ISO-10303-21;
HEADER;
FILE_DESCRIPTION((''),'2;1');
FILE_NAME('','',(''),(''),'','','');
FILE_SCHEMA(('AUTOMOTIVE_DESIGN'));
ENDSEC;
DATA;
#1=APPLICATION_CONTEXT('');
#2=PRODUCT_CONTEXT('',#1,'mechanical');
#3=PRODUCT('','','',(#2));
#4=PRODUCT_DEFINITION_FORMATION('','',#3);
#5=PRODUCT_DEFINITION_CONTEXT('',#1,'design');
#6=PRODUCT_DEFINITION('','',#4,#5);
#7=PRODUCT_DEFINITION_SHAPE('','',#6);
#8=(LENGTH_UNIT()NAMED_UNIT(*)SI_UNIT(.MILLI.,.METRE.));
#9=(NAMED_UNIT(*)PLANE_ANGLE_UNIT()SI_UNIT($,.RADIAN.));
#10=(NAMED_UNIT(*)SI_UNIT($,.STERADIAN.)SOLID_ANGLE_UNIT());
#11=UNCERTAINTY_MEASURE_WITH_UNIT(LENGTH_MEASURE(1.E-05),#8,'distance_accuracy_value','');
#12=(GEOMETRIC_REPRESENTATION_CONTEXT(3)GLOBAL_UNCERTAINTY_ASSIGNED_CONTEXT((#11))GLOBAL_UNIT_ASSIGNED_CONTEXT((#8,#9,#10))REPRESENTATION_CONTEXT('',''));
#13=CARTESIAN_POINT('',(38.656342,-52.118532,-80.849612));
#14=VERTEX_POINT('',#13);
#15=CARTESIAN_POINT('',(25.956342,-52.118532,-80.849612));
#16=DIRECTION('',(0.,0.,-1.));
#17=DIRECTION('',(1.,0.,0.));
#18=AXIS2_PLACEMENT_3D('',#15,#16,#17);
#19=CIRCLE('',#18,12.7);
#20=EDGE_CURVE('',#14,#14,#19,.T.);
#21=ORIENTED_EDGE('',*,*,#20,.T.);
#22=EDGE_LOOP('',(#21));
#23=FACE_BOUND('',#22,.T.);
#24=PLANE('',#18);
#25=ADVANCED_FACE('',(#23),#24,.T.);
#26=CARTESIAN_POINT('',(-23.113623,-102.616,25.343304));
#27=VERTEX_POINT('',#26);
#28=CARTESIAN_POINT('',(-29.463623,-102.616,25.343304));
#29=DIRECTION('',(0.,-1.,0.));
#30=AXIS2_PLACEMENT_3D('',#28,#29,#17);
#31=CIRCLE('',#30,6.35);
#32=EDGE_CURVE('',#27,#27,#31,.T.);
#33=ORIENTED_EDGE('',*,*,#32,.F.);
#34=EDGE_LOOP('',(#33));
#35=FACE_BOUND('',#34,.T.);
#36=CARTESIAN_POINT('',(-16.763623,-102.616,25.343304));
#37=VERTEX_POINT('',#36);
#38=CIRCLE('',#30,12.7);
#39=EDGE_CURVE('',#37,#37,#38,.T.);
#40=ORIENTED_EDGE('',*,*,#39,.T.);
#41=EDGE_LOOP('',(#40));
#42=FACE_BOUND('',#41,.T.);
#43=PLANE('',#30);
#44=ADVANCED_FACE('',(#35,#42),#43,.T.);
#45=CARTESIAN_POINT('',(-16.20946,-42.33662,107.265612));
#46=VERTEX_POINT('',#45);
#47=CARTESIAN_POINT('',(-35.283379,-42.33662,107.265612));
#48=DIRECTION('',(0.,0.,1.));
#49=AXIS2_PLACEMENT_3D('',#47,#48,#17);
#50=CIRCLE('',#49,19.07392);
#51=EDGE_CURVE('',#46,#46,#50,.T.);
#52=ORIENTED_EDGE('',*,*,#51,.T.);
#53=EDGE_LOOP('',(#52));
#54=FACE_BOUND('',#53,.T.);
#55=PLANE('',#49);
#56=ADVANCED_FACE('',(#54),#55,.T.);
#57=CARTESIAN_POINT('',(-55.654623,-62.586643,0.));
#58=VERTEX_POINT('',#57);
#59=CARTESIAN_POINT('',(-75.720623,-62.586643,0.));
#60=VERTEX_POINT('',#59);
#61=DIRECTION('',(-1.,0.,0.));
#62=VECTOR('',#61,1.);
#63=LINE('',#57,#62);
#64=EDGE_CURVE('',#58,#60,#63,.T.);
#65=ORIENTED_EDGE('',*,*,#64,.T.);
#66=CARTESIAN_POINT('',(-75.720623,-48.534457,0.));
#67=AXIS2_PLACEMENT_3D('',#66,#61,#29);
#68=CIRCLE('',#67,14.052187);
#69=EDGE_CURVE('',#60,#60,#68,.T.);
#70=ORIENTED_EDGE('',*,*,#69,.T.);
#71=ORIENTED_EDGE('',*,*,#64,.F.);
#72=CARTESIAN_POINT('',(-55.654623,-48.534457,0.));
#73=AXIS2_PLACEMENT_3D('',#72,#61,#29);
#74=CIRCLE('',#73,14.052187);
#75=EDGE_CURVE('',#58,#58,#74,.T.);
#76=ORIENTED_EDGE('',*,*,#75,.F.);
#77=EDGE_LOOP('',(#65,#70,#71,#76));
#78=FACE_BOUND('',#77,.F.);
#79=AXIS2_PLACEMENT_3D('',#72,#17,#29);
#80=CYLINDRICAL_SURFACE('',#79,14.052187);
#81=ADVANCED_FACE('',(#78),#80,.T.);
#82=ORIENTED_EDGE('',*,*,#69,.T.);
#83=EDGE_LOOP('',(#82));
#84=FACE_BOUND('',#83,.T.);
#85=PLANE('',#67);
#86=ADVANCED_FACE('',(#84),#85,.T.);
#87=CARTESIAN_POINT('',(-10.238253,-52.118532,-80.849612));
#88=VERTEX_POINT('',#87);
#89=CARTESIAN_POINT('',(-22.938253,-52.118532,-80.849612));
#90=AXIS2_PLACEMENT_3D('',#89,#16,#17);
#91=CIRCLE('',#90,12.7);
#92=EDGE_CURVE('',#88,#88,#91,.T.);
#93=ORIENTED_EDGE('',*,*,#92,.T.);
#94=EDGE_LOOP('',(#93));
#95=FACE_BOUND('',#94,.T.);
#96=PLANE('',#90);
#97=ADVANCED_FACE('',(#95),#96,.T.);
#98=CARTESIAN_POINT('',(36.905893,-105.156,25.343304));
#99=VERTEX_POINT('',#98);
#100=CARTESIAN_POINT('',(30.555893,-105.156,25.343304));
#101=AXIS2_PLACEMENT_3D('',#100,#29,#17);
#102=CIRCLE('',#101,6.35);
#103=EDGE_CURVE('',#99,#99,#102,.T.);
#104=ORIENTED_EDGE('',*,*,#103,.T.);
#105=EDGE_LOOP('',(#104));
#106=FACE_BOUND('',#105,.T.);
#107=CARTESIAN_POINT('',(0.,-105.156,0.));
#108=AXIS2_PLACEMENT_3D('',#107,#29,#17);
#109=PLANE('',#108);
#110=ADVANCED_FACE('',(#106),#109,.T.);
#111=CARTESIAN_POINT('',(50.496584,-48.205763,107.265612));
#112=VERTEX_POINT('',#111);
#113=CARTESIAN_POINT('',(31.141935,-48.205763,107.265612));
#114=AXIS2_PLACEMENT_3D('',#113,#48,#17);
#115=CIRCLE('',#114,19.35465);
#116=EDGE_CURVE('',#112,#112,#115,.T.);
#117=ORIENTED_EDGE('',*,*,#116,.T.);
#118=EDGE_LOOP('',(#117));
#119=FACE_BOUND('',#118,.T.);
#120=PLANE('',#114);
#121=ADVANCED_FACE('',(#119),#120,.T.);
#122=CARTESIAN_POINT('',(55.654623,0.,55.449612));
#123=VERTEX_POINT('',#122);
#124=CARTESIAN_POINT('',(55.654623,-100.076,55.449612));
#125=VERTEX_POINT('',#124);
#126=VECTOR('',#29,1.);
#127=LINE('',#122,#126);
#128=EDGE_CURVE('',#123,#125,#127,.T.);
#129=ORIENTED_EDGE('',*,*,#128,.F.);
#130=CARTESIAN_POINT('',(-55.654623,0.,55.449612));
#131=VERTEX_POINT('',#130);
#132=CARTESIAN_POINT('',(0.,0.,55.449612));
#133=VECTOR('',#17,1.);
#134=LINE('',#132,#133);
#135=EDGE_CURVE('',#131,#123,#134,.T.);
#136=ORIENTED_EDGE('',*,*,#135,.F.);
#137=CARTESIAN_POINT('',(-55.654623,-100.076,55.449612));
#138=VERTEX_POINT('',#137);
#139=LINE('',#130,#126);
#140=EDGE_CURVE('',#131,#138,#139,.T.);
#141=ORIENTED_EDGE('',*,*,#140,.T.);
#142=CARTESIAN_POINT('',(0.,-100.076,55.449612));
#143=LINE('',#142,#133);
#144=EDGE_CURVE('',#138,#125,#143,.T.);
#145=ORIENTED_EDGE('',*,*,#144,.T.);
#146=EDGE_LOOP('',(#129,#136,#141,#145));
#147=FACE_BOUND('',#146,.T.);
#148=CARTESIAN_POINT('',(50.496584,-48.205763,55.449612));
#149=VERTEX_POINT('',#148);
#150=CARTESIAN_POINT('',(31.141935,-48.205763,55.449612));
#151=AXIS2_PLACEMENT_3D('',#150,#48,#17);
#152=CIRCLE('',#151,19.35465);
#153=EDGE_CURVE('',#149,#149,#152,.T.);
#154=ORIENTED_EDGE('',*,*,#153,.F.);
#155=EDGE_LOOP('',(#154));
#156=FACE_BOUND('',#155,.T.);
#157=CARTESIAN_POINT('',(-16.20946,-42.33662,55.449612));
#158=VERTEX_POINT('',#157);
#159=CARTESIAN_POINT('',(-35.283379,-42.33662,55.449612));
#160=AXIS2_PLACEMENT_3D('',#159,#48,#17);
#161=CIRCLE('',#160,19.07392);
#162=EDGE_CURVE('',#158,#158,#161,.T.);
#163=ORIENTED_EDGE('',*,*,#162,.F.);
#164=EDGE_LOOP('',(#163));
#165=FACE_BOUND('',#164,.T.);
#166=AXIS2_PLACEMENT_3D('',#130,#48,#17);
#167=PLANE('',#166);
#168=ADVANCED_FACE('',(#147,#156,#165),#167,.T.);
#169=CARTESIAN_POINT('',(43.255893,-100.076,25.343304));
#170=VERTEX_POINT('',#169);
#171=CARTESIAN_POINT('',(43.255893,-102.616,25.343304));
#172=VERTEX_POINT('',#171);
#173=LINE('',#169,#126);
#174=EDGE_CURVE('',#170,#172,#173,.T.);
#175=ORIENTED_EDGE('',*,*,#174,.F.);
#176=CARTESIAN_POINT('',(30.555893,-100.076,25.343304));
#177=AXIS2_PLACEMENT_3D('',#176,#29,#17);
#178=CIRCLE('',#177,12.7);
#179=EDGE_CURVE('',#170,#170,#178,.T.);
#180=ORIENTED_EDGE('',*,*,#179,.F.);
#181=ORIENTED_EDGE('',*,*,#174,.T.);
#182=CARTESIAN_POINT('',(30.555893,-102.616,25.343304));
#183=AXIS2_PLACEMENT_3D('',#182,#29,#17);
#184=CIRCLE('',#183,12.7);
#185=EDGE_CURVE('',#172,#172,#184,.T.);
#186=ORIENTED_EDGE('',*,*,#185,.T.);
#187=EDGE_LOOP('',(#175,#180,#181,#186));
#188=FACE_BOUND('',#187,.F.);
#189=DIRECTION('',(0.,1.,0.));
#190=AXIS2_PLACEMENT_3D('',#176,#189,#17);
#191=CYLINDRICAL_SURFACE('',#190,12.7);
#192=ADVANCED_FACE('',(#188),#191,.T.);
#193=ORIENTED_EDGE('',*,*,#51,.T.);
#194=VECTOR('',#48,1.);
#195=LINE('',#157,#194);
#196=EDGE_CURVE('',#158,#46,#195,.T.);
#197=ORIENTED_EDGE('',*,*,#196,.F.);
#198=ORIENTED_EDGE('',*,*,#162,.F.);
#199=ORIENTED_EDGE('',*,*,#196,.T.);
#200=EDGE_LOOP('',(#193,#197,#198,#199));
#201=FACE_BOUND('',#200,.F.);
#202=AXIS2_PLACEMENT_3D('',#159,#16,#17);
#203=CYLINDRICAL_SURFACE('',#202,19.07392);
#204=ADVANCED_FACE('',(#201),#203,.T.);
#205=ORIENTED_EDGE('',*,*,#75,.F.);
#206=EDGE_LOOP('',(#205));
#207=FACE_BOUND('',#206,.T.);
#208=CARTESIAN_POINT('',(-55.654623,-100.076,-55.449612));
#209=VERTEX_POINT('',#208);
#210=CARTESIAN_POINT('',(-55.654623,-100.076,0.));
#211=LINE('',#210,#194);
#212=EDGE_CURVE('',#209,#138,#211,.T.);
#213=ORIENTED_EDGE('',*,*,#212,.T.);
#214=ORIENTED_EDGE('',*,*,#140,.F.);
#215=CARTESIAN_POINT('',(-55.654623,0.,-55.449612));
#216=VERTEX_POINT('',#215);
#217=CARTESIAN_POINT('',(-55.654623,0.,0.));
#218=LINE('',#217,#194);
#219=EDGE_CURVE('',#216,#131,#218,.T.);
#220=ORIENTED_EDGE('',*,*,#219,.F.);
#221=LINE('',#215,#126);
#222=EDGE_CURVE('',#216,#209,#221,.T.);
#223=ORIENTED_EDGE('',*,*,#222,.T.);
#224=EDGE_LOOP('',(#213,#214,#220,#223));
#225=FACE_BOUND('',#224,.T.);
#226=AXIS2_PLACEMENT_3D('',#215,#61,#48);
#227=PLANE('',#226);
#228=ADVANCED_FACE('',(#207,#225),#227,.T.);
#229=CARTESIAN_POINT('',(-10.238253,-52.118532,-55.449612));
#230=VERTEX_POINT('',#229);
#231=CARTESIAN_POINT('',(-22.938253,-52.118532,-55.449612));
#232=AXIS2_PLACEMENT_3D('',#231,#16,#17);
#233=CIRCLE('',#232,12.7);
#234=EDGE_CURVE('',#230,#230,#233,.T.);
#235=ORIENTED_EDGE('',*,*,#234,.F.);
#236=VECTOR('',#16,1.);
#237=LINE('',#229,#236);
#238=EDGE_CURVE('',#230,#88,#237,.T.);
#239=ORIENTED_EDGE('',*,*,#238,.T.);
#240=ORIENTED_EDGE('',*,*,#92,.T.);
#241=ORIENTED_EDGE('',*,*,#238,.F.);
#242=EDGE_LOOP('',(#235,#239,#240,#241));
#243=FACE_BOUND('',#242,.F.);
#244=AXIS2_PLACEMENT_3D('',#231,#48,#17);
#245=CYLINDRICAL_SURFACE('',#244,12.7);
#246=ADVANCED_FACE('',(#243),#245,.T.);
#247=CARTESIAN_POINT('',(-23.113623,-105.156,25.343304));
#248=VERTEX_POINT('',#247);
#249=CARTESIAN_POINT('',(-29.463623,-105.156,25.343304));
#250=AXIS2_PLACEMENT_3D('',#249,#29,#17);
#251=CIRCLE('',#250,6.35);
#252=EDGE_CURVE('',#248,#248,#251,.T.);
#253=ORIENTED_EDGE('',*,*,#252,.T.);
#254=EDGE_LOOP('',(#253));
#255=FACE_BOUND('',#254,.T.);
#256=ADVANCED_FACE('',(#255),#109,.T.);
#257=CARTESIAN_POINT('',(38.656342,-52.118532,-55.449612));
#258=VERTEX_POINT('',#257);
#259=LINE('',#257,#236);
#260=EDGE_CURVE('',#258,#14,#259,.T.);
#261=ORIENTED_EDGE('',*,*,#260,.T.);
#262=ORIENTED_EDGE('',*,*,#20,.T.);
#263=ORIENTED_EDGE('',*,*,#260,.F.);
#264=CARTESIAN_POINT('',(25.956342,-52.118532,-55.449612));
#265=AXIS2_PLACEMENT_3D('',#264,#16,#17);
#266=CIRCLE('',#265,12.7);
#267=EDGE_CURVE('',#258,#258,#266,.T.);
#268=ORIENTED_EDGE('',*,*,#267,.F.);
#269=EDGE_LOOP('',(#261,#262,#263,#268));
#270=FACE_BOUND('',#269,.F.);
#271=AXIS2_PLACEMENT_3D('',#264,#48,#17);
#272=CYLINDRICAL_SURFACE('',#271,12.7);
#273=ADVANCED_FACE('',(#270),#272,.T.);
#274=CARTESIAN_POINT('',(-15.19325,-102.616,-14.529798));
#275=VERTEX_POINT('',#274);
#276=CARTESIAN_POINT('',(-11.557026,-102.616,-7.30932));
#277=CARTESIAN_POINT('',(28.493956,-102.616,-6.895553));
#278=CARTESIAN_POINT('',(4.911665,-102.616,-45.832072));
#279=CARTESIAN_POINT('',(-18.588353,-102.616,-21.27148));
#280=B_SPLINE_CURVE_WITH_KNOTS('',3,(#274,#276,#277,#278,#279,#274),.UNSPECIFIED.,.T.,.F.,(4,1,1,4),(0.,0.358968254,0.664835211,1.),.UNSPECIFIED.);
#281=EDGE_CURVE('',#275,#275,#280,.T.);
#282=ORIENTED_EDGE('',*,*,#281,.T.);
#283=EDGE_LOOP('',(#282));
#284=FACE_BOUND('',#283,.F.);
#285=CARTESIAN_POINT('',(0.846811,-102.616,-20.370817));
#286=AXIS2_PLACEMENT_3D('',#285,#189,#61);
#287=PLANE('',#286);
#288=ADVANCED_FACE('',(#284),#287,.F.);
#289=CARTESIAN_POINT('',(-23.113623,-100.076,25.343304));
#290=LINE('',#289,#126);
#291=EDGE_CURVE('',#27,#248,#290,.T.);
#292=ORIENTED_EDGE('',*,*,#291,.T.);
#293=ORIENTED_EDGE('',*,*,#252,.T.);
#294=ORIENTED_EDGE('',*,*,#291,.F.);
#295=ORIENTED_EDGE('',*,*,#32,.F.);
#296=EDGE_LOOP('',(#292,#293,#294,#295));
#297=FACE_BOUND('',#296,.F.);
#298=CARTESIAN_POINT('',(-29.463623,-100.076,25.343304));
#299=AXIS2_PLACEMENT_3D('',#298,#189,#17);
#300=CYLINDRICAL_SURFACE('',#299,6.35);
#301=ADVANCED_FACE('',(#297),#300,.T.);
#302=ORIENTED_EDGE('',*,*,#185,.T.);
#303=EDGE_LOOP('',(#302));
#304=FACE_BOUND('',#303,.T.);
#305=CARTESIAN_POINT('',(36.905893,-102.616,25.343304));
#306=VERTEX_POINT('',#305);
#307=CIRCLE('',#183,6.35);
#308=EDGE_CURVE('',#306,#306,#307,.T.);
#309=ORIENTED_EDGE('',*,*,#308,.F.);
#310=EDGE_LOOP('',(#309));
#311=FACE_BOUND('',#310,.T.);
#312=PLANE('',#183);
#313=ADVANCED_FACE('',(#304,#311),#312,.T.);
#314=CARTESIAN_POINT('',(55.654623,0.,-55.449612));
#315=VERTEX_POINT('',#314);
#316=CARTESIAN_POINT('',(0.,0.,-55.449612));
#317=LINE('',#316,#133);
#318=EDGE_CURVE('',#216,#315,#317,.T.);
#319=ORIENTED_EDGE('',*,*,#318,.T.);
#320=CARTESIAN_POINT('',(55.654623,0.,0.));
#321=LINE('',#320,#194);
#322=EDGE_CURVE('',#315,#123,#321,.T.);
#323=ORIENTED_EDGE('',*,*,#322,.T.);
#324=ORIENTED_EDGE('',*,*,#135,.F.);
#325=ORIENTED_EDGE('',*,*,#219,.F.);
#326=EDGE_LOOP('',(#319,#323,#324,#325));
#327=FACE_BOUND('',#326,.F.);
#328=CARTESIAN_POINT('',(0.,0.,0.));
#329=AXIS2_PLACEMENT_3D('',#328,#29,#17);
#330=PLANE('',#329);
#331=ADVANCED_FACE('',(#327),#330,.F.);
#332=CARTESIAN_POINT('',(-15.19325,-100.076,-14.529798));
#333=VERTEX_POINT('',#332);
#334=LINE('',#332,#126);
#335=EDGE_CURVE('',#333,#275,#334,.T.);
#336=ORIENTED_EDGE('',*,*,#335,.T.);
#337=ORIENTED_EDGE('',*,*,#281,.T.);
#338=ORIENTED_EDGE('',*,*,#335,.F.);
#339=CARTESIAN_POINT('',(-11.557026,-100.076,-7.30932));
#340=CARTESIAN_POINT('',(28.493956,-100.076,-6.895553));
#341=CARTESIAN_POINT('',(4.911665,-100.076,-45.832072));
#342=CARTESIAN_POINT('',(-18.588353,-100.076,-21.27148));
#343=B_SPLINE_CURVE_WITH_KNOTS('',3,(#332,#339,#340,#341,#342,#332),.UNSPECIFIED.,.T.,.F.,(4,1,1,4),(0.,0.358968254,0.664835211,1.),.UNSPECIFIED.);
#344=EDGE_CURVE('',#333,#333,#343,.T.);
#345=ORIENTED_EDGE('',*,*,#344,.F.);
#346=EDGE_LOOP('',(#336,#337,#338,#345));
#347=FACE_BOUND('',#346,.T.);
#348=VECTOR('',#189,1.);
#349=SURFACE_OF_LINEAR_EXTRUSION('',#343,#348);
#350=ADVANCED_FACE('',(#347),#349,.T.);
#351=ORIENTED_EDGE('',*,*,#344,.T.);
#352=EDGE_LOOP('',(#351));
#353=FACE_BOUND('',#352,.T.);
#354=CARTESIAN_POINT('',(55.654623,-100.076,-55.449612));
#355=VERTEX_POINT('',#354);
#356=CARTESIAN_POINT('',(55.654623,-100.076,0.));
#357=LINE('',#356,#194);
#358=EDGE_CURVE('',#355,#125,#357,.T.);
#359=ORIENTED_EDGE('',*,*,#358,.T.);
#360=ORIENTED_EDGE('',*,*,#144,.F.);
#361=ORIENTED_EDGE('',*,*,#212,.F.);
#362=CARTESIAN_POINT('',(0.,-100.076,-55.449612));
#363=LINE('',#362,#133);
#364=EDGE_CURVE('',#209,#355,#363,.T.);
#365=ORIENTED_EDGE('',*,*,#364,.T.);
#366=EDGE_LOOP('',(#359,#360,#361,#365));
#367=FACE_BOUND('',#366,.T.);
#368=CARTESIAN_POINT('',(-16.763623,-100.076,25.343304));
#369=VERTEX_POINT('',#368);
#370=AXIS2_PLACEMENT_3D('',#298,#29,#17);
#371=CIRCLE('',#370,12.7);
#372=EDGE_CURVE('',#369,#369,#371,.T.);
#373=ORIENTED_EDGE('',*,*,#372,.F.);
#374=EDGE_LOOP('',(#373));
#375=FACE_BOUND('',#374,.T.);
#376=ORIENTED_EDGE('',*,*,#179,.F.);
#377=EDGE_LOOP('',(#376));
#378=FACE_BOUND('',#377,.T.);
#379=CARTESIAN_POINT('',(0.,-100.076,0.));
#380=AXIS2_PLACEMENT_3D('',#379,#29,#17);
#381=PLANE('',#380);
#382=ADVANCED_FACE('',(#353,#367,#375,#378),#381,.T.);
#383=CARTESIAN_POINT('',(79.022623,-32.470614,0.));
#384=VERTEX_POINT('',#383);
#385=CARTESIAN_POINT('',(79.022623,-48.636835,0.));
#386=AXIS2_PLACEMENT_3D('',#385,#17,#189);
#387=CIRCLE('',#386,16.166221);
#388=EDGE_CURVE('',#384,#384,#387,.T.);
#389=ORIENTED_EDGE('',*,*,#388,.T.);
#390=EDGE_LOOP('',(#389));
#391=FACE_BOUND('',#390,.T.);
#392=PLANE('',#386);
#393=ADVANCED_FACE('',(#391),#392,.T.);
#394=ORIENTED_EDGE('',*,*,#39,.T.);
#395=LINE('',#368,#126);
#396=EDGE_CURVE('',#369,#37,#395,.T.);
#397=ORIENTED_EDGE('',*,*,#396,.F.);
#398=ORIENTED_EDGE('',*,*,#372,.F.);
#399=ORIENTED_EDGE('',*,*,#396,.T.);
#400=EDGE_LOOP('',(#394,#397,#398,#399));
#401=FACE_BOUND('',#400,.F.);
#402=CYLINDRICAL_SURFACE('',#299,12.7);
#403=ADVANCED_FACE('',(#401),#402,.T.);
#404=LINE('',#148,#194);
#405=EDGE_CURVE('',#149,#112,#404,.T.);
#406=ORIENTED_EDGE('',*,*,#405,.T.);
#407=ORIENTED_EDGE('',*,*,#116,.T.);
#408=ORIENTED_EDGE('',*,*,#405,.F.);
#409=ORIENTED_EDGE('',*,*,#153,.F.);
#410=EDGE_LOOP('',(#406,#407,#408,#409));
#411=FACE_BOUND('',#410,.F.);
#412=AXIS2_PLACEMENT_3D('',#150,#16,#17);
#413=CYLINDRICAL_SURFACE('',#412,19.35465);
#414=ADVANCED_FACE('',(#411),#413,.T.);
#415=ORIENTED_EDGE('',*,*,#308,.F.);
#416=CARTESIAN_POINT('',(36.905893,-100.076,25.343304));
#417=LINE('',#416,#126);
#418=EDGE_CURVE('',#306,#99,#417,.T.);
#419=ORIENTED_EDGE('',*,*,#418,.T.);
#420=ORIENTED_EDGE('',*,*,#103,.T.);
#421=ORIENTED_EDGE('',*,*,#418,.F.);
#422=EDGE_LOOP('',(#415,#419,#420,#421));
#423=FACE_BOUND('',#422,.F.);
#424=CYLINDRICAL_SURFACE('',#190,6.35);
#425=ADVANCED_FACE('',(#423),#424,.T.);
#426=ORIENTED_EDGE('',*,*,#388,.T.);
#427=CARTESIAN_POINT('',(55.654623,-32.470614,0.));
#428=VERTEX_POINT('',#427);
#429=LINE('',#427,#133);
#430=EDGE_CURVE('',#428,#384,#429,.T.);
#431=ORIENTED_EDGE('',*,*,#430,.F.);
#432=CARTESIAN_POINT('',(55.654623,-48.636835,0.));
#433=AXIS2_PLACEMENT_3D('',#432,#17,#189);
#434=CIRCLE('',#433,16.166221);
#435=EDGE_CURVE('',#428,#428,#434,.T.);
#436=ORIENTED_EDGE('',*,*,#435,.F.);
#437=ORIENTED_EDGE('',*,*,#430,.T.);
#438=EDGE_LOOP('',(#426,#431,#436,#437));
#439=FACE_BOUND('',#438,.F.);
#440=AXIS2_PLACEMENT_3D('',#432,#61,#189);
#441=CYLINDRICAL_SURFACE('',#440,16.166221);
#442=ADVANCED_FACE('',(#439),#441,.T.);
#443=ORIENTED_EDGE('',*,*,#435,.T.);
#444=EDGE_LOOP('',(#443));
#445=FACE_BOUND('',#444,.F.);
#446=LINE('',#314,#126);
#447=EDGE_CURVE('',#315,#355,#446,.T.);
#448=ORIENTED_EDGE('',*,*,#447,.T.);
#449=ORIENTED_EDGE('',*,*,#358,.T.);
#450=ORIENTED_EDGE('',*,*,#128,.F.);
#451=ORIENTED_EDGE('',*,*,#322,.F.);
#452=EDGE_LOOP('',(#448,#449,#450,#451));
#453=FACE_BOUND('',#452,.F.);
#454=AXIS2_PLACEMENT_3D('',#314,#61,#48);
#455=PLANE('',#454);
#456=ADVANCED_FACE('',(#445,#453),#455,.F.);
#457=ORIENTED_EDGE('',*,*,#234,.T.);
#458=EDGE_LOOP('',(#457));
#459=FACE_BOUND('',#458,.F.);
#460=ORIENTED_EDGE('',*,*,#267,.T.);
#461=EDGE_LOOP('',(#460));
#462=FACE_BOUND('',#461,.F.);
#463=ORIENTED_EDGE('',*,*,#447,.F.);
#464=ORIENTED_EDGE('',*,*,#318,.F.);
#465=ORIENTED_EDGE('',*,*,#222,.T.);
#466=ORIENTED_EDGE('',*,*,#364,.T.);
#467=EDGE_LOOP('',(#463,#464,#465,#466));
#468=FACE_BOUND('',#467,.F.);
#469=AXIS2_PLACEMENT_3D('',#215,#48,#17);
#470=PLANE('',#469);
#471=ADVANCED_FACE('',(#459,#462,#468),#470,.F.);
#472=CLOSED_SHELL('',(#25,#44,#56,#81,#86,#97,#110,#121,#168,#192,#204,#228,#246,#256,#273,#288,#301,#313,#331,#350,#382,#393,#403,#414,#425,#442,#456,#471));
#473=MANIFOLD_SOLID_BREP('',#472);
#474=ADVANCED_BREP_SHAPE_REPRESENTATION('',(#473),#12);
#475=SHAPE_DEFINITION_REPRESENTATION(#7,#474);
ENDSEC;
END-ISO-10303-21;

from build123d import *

# Parameters (mm, degrees)
F0_W      = 111.3092452288
F0_H      = 110.8992248774
F1_DEPTH  = 100.076
F2_R      = 19.073919737
F2_R_2    = 19.3546495163
F3_DEPTH  = 51.816
F4_R      = 12.7
F4_R_2    = 6.35
F5_DEPTH  = 2.54
F6_DEPTH  = 5.08
F8_DEPTH  = 2.54
F10_R     = 14.0521867963
F11_DEPTH = 20.066
F12_R     = 16.1662209707
F13_DEPTH = 23.368
F14_R     = 12.7
F15_DEPTH = 25.4


with BuildPart() as f1:
    # F0 (on Front) → F1 (new body)
    with BuildSketch(Plane.XZ):
        Rectangle(F0_W, F0_H)
    extrude(amount=F1_DEPTH)

    # F2 (on face) → F3 (join)
    with BuildSketch(Plane.XY.offset(55.4496124387)):
        with Locations((-35.2833792567, -42.3366203904)):
            Circle(F2_R)
        with Locations((31.1419349164, -48.2057631016)):
            Circle(F2_R_2)
    extrude(amount=F3_DEPTH)

    # F4 (on face) → F5 (join)
    with BuildSketch(Plane.XZ.offset(100.076)):
        with Locations((-29.463622719, 25.3433045)):
            Circle(F4_R)
        with Locations((-29.463622719, 25.3433045)):
            Circle(F4_R_2, mode=Mode.SUBTRACT)
        with Locations((30.5558927357, 25.3433045)):
            Circle(F4_R)
        with Locations((30.5558927357, 25.3433045)):
            Circle(F4_R_2, mode=Mode.SUBTRACT)
    extrude(amount=F5_DEPTH)

    # F6 (add): faces of the model
    f6_faces = [f1.faces().sort_by_distance(p)[0] for p in [
        (-29.463622719, -100.076, 25.3433045),
        (30.5558927357, -100.076, 25.3433045),
    ]]
    extrude(f6_faces, amount=F6_DEPTH)

    # F7 (on face) → F8 (join)
    with BuildSketch(Plane.XZ.offset(100.076)):
        with BuildLine():
            add(Edge.make_bspline(
                [(-15.1932500303, -14.5297981799), (-11.5570264912, -7.3093204863), (28.4939557063, -6.8955534703), (4.9116646059, -45.832072352), (-18.5883527484, -21.2714803619), (-15.1932500303, -14.5297981799)],
                knots=[0, 0, 0, 0, 0.3589682542, 0.6648352109, 1, 1, 1, 1], degree=3))
        make_face()
    extrude(amount=F8_DEPTH)

    # F10 (on face) → F11 (join)
    with BuildSketch(Plane(origin=(-55.6546226144, 0, 0), x_dir=(0, -1, 0), z_dir=(-1, 0, 0))):
        with Locations((48.5344566405, 0)):
            Circle(F10_R)
    extrude(amount=F11_DEPTH)

    # F12 (on face) → F13 (join)
    with BuildSketch(Plane.YZ.offset(55.6546226144)):
        with Locations((-48.6368350685, 0)):
            Circle(F12_R)
    extrude(amount=F13_DEPTH)

    # F14 (on face) → F15 (join)
    with BuildSketch(Plane(origin=(0, 0, -55.4496124387), x_dir=(1, 0, 0), z_dir=(0, 0, -1))):
        with Locations((-22.938253358, 52.1185323596)):
            Circle(F14_R)
        with Locations((25.9563419968, 52.1185323596)):
            Circle(F14_R)
    extrude(amount=F15_DEPTH)


solid = f1.part
